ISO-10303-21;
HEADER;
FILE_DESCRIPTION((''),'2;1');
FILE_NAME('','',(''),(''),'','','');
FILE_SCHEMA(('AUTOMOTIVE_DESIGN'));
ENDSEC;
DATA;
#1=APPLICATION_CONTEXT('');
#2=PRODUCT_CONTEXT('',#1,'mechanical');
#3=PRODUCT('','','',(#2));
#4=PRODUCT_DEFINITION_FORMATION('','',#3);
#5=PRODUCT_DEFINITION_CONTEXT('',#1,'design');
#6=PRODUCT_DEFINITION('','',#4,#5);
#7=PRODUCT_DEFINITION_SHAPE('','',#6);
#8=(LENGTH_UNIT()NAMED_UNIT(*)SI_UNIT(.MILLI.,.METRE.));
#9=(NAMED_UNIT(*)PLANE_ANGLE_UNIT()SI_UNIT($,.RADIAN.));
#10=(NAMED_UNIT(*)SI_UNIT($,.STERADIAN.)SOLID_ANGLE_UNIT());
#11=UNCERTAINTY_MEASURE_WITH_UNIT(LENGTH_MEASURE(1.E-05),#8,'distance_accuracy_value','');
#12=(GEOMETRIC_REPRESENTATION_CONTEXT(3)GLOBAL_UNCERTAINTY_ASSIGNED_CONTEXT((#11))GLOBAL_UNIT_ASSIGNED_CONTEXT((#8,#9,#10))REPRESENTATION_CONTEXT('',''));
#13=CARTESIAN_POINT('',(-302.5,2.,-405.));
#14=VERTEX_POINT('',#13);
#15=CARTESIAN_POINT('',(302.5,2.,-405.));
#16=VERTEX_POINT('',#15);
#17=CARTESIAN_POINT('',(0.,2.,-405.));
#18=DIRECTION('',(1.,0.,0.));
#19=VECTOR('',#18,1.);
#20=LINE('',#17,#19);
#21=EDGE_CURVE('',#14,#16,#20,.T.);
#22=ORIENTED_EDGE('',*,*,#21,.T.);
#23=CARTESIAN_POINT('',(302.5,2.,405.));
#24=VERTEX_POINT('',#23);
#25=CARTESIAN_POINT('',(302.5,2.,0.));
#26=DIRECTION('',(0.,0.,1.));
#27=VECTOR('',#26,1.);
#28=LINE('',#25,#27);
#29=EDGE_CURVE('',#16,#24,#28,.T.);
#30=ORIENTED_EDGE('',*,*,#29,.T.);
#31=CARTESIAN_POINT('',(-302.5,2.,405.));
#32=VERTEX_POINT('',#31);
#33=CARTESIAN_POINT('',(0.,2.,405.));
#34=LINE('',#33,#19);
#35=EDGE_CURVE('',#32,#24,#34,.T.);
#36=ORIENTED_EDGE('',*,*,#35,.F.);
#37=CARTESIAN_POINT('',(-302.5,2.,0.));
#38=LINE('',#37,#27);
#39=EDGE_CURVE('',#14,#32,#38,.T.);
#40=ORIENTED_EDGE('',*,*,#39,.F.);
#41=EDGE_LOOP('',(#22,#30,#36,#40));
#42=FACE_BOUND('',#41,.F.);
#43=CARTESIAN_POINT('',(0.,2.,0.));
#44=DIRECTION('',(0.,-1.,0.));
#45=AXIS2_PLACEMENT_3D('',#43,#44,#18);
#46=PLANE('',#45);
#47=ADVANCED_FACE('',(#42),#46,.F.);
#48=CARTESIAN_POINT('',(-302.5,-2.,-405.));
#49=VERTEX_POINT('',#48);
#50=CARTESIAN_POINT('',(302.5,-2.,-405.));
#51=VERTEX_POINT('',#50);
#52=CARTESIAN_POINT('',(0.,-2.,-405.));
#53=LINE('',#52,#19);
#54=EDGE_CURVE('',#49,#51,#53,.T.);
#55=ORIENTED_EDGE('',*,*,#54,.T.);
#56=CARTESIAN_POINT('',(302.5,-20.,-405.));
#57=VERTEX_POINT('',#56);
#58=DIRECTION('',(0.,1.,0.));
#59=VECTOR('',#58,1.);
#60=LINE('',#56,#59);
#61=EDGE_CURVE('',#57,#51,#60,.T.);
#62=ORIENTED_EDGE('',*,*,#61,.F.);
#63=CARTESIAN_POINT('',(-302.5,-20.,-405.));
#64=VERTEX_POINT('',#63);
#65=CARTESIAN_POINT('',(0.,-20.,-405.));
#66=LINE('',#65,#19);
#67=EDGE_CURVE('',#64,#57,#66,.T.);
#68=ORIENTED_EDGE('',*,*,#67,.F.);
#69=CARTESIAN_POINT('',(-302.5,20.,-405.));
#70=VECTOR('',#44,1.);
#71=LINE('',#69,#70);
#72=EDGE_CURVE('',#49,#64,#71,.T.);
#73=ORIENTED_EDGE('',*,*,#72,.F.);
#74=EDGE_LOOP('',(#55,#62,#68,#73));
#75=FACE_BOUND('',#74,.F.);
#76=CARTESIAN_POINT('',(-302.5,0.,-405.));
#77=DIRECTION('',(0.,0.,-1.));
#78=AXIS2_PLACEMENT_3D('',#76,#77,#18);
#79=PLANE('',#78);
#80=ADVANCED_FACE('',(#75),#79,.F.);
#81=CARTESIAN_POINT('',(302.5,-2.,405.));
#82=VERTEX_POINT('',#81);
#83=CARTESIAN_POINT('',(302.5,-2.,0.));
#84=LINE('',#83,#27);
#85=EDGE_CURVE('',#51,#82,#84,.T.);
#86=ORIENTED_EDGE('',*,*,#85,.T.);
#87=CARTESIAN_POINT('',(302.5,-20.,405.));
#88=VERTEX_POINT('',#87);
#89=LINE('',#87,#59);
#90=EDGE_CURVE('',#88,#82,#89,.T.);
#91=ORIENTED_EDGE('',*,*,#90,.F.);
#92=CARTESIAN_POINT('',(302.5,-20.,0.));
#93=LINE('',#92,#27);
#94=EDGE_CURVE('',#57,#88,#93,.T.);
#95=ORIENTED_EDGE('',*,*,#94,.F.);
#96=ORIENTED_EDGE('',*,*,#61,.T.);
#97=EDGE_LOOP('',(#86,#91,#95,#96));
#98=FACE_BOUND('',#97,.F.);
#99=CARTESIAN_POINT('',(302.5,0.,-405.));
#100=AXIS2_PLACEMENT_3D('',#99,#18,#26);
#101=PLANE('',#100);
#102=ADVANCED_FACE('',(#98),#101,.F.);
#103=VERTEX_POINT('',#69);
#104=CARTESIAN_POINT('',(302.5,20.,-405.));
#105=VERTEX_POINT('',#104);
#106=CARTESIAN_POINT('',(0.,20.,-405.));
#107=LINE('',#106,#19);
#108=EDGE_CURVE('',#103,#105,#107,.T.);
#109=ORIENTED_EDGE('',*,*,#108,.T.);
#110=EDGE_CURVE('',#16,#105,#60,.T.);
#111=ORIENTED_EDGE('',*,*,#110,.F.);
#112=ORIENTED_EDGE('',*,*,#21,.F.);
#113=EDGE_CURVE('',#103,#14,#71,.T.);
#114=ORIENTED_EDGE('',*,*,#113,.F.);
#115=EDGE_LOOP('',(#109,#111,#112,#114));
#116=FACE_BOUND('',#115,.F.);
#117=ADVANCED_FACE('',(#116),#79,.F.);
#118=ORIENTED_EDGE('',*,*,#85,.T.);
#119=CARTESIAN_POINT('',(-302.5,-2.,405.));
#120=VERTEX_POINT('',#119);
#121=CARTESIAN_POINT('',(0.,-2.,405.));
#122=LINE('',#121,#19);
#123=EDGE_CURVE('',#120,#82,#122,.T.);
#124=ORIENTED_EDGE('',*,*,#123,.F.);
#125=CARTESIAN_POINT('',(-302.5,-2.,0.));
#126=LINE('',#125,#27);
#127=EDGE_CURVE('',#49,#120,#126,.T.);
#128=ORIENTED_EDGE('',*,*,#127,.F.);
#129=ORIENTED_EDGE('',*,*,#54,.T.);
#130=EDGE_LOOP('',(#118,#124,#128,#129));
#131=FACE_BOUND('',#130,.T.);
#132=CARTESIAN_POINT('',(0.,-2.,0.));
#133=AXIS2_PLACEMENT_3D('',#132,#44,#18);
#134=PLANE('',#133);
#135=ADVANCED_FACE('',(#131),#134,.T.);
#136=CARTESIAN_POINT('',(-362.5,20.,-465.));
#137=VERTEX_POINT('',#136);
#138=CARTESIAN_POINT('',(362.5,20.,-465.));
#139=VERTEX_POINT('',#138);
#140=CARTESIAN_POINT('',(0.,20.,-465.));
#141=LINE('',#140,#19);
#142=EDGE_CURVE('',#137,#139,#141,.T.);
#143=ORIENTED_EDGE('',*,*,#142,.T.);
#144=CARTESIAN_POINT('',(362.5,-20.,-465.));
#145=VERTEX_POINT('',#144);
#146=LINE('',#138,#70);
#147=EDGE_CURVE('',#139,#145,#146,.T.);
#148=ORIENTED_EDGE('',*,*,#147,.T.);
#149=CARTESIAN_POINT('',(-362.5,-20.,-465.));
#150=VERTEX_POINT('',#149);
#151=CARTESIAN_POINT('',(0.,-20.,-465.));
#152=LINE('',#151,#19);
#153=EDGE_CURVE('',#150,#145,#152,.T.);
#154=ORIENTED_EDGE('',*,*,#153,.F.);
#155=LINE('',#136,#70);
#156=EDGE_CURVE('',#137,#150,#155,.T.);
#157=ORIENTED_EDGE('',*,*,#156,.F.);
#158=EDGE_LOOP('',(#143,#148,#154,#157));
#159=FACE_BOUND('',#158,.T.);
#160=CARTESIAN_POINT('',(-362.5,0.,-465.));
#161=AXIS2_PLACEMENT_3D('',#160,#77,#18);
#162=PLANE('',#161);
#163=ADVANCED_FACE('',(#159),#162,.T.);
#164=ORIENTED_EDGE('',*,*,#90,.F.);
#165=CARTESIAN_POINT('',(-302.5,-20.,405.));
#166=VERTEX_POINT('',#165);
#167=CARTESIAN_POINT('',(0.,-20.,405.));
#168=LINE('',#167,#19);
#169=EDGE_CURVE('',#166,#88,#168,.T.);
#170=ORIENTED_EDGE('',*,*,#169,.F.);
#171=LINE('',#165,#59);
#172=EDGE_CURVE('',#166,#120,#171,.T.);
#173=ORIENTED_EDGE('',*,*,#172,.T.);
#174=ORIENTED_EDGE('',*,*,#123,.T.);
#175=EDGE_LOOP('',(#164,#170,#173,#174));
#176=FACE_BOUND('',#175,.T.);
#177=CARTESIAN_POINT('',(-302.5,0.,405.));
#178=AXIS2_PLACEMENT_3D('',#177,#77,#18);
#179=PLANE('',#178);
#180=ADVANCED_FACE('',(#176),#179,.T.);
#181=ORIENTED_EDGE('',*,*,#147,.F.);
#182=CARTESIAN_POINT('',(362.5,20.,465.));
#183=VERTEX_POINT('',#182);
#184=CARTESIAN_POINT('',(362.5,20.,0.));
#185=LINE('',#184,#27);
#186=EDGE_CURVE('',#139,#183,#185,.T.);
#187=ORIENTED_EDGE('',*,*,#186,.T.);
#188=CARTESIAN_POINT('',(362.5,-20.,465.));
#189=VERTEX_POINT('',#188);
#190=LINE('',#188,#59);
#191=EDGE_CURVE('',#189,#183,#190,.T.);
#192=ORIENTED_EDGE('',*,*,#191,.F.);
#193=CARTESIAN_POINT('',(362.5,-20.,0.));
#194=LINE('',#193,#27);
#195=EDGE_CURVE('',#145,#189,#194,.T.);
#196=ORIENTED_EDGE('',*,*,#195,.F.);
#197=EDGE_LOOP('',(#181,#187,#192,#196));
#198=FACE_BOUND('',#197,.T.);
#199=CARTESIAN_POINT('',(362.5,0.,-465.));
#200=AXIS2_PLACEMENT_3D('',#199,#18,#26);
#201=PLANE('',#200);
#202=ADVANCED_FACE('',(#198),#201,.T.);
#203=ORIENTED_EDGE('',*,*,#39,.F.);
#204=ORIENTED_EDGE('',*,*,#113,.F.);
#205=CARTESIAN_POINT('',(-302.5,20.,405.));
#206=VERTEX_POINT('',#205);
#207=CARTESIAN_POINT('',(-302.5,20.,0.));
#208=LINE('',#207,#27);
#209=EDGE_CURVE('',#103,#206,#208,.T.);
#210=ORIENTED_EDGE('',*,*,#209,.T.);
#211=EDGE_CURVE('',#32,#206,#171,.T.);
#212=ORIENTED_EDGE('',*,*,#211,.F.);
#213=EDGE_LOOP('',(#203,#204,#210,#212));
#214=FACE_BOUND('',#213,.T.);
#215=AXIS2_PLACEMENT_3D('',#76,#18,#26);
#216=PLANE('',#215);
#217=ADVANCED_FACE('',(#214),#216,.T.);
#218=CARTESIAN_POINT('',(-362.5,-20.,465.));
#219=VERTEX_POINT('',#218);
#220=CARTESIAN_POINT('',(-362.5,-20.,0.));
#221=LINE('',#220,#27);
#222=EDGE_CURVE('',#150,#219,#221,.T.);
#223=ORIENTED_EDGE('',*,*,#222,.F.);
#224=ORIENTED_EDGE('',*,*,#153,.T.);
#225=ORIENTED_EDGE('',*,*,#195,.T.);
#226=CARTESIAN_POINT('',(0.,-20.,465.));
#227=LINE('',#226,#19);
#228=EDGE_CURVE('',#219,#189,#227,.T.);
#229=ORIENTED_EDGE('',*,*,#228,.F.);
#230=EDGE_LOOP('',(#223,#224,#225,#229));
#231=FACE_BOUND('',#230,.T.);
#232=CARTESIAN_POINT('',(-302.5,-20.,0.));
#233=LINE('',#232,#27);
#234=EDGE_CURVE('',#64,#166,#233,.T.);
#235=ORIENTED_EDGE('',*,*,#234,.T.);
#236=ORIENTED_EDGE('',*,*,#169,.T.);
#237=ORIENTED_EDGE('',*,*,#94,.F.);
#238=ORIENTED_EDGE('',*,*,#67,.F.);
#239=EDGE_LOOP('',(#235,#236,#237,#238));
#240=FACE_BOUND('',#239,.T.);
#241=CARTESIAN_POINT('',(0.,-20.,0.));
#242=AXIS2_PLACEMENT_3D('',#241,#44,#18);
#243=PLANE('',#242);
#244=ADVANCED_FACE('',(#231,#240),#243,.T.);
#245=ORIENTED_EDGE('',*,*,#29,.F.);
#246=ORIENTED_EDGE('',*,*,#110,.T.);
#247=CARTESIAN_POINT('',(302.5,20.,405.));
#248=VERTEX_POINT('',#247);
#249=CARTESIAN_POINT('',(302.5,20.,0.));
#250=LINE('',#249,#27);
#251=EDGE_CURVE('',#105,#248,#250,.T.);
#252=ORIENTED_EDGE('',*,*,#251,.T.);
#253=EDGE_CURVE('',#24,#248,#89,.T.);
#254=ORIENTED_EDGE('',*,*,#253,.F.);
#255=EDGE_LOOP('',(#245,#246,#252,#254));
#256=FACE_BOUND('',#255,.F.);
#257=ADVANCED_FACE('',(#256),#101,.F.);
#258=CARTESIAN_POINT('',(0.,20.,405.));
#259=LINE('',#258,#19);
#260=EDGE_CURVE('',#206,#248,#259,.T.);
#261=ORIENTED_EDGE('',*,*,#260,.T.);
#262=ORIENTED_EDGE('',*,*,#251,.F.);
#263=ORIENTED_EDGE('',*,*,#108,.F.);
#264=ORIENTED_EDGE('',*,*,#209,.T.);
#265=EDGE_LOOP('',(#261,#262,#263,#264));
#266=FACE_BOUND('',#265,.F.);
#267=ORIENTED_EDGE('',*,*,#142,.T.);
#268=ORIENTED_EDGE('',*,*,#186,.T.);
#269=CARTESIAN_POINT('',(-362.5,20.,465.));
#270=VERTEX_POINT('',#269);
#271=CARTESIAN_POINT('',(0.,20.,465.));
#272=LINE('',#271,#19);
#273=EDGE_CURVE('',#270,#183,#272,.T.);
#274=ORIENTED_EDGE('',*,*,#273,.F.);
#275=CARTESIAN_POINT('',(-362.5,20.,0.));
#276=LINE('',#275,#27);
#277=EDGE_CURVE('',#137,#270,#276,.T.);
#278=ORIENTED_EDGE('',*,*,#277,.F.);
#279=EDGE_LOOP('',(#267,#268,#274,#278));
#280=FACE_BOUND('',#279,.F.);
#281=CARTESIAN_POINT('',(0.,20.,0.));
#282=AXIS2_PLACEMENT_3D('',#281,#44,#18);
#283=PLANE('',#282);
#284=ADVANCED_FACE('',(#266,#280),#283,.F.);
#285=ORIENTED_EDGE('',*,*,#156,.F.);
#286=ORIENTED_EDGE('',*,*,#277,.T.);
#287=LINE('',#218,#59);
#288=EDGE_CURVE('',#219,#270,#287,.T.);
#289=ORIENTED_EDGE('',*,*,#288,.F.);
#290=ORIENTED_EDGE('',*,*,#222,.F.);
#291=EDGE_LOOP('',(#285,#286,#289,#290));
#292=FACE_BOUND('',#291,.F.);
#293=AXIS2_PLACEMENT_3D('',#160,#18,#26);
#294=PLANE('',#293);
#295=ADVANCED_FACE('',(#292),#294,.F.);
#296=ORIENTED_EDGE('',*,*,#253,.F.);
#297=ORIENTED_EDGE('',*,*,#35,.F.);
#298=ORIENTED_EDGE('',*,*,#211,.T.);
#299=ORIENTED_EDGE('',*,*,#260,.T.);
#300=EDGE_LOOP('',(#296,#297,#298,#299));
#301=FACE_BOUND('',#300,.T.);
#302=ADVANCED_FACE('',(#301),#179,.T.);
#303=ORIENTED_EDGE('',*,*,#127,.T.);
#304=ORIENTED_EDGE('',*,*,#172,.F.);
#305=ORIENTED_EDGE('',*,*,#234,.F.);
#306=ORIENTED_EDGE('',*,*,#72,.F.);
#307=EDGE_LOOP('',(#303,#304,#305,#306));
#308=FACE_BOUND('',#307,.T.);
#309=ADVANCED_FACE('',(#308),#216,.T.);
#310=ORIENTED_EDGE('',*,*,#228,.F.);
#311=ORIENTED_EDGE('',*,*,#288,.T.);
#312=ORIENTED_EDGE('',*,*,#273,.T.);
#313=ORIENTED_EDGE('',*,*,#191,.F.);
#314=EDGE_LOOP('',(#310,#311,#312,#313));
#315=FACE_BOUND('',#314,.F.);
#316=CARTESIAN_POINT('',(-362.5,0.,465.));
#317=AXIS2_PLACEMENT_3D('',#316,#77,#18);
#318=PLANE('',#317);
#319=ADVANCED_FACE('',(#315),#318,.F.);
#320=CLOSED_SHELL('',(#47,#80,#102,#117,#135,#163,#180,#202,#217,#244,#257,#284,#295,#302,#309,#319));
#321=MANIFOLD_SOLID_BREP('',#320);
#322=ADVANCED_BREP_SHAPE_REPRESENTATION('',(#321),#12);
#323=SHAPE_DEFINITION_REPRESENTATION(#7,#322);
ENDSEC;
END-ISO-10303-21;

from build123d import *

# Parameters (mm, degrees)
F0_W     = 725
F0_H     = 930
F0_W_2   = 605
F0_H_2   = 810
F1_DEPTH = 20
F2_DEPTH = 2


with BuildPart() as f1:
    # F0 (on Front) → F1 (new body, symmetric)
    with BuildSketch(Plane.XZ):
        Rectangle(F0_W, F0_H)
        Rectangle(F0_W_2, F0_H_2, mode=Mode.SUBTRACT)
    extrude(amount=F1_DEPTH, both=True)

    # F0 (on Front) → F2 (join, symmetric)
    with BuildSketch(Plane.XZ):
        Rectangle(F0_W_2, F0_H_2)
    extrude(amount=F2_DEPTH, both=True)


solid = f1.part
